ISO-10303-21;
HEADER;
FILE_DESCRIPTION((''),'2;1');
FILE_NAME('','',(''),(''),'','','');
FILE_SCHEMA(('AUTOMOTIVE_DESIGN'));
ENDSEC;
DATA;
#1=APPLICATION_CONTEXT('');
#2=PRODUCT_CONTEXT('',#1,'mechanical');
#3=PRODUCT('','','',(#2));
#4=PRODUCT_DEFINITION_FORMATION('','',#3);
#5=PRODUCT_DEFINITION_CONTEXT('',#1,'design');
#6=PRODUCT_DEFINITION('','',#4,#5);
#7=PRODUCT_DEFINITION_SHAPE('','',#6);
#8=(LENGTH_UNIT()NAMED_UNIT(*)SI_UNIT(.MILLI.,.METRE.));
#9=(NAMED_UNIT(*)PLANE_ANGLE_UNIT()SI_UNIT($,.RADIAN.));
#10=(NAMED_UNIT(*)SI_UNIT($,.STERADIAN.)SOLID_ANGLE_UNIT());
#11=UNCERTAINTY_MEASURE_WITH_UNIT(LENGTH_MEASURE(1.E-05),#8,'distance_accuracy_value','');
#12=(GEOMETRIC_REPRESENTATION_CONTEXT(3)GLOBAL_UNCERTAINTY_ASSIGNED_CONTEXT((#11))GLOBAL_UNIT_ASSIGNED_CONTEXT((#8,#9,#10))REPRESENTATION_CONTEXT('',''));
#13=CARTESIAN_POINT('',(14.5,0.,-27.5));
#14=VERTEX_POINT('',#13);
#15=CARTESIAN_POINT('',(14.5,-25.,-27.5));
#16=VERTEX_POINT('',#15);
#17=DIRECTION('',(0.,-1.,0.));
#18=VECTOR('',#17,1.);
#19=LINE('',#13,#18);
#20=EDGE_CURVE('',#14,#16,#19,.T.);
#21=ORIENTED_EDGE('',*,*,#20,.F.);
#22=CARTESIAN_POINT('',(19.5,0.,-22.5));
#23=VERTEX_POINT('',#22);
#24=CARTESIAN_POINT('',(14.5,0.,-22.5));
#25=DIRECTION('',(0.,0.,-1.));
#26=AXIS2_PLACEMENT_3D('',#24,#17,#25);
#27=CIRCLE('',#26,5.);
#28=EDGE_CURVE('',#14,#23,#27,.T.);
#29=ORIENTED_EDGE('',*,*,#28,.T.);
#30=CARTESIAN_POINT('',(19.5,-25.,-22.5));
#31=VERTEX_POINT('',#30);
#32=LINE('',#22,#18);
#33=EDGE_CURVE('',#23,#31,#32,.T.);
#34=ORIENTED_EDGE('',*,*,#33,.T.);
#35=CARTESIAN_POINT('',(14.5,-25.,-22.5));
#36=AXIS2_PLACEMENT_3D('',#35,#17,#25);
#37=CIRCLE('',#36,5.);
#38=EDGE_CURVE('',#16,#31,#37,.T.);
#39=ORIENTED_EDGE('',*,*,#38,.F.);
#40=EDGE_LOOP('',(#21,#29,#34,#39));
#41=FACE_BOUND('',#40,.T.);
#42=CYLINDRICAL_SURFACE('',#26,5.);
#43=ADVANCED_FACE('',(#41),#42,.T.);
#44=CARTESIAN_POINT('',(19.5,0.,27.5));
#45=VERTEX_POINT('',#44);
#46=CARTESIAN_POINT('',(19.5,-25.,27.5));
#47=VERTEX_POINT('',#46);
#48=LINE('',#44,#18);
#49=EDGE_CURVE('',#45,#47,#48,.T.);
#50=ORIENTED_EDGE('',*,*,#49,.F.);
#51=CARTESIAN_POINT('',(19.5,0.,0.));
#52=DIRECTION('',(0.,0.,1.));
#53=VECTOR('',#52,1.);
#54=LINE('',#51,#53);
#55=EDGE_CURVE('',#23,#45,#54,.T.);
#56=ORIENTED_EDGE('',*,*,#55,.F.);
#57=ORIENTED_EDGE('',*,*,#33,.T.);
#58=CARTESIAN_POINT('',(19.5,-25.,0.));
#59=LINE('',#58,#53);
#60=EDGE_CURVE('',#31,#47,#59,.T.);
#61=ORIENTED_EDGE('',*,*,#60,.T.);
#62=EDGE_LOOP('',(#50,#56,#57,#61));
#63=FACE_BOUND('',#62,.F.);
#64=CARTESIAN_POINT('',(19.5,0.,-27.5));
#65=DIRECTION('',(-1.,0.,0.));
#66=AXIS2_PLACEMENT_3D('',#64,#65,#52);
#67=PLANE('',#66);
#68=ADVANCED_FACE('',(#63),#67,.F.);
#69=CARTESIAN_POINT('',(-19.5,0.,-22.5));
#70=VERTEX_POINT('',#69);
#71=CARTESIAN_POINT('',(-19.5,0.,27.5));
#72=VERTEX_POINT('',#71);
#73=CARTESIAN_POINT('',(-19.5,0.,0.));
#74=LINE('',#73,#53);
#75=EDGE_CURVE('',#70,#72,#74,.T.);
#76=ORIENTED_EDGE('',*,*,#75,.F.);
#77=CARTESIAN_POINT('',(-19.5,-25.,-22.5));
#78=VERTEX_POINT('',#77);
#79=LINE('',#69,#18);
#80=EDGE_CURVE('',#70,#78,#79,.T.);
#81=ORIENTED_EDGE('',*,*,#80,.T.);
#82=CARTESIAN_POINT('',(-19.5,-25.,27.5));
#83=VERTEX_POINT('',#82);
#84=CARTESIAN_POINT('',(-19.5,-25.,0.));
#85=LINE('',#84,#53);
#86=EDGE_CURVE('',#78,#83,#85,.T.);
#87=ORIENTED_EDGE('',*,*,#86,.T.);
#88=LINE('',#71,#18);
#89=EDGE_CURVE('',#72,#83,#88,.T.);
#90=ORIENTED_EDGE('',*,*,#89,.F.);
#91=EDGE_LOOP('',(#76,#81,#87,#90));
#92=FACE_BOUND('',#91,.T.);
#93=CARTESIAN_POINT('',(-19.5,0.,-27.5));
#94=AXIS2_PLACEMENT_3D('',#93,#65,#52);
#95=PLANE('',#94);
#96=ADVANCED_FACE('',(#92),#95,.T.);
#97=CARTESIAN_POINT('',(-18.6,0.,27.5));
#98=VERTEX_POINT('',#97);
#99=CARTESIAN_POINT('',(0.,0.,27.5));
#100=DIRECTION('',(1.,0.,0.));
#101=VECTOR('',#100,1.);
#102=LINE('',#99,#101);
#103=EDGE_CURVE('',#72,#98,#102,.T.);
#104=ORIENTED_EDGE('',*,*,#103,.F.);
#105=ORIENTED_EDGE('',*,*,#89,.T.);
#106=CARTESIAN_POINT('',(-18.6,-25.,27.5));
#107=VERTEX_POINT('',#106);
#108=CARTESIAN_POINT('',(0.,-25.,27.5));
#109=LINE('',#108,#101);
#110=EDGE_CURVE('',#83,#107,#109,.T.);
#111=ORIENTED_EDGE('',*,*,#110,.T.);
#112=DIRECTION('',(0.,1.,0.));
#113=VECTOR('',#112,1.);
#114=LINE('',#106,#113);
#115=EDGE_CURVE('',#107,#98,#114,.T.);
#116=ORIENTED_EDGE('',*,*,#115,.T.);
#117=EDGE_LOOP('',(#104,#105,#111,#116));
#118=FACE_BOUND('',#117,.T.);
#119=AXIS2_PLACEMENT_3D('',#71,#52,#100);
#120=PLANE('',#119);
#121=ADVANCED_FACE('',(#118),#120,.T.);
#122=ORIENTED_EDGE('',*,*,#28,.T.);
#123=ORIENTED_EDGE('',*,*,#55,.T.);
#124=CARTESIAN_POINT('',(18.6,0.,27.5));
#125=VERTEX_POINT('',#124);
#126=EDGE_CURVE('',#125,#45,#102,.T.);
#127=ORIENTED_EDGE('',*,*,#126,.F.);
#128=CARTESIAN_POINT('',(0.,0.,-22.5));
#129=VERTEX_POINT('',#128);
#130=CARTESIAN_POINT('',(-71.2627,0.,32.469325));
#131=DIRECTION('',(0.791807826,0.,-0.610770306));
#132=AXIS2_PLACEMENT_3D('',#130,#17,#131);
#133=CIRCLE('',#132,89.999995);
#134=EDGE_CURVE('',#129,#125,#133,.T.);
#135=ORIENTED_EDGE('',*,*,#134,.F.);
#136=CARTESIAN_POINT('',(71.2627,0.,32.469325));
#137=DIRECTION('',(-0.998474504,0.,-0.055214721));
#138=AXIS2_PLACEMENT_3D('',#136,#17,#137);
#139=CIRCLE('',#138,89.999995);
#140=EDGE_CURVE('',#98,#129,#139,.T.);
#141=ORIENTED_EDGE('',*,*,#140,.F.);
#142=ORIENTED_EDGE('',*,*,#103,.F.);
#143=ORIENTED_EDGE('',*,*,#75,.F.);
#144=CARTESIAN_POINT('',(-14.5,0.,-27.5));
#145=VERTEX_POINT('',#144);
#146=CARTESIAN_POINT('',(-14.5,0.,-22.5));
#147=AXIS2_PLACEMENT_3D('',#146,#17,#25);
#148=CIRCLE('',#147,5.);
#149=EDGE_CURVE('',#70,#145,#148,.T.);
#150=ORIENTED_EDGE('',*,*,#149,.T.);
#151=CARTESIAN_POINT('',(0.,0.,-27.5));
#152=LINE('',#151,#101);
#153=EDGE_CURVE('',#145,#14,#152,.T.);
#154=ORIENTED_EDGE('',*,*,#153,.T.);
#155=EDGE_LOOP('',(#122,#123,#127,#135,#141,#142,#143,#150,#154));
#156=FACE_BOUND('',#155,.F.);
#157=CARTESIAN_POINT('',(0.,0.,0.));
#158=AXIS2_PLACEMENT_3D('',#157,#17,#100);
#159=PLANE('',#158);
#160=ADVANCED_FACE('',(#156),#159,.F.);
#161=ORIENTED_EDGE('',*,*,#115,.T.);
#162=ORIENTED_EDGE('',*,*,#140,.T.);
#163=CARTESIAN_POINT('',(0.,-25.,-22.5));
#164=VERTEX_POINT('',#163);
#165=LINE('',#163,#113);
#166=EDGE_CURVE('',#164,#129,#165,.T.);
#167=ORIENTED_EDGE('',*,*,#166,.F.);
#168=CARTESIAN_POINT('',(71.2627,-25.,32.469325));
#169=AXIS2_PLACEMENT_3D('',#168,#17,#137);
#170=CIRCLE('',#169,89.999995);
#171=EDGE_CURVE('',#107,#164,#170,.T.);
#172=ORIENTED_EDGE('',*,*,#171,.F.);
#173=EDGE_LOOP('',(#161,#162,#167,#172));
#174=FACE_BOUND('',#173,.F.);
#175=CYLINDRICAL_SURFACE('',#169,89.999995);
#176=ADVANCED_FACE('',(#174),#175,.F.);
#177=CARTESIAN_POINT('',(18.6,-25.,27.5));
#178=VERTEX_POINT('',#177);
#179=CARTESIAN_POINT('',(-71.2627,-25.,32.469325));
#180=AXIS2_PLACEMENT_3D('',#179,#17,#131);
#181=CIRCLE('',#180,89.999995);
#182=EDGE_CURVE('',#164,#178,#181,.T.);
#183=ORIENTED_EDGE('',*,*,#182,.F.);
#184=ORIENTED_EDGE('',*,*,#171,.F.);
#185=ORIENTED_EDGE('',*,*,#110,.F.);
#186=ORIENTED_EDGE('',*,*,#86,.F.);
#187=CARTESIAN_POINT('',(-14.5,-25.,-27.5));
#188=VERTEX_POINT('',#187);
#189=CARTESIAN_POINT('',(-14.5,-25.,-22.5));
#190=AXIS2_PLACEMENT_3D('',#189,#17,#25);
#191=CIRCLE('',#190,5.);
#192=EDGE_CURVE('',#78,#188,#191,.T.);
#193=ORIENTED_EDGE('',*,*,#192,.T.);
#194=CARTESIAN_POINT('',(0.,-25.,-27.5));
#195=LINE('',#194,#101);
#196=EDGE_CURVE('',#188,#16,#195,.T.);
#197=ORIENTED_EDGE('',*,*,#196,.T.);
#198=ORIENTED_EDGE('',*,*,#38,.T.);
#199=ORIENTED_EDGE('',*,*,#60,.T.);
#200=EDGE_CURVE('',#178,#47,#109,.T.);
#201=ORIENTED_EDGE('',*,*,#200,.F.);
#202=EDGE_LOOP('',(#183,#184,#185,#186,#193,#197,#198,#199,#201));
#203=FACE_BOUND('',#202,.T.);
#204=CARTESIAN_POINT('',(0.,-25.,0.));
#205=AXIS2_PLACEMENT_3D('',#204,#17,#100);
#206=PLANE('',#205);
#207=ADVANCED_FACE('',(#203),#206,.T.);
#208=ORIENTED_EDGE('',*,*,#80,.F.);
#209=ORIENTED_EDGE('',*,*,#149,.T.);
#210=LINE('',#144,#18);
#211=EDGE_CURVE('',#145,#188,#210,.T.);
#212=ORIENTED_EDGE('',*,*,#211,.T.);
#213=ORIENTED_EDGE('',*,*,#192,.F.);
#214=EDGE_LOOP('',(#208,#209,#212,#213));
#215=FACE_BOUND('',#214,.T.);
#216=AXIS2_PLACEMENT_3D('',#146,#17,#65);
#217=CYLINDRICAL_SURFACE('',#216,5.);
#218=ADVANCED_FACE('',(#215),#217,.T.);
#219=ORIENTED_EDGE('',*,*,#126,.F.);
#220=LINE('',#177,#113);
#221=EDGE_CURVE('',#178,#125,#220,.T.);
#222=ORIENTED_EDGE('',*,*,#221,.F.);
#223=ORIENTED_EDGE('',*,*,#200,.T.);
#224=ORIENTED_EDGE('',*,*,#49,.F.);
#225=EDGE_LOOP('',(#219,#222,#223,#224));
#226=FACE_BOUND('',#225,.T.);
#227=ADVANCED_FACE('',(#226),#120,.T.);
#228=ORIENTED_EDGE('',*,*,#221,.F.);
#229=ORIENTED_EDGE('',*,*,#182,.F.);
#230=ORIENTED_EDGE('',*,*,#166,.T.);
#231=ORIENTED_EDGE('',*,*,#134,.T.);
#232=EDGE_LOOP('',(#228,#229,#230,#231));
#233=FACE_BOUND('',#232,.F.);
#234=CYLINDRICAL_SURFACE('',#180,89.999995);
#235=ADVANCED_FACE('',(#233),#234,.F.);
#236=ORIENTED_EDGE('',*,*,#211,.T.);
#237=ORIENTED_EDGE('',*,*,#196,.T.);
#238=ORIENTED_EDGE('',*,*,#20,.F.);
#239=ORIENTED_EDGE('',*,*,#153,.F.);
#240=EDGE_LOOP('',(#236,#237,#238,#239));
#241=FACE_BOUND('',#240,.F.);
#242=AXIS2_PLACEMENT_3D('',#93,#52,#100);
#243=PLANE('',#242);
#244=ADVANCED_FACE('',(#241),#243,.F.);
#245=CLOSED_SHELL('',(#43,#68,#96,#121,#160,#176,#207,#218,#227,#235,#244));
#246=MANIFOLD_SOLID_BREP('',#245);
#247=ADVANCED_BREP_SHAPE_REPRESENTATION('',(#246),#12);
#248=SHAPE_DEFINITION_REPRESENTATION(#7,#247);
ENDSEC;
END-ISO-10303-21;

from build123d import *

# Parameters (mm, degrees)
F0_W     = 39
F0_H     = 55
F1_DEPTH = 25
F3_DEPTH = 25
F4_R     = 5


with BuildPart() as f1:
    # F0 (on Front) → F1 (new body)
    with BuildSketch(Plane.XZ):
        Rectangle(F0_W, F0_H)
    extrude(amount=F1_DEPTH)

    # F2 (on face) → F3 (cut)
    with BuildSketch(Plane.XZ.offset(25)):
        with BuildLine():
            Line((18.6, 27.5), (-18.6, 27.5))
            ThreePointArc((-18.6, 27.5), (-13.089826, 1.090185), (0, -22.5))
            ThreePointArc((0, -22.5), (13.089826, 1.090185), (18.6, 27.5))
        make_face()
    extrude(amount=-F3_DEPTH, mode=Mode.SUBTRACT)

    # F4
    f4_edges = [f1.edges().sort_by_distance(p)[0] for p in [
        (-19.5, -12.5, -27.5),
        (19.5, -12.5, -27.5),
    ]]
    fillet(f4_edges, radius=F4_R)


solid = f1.part
